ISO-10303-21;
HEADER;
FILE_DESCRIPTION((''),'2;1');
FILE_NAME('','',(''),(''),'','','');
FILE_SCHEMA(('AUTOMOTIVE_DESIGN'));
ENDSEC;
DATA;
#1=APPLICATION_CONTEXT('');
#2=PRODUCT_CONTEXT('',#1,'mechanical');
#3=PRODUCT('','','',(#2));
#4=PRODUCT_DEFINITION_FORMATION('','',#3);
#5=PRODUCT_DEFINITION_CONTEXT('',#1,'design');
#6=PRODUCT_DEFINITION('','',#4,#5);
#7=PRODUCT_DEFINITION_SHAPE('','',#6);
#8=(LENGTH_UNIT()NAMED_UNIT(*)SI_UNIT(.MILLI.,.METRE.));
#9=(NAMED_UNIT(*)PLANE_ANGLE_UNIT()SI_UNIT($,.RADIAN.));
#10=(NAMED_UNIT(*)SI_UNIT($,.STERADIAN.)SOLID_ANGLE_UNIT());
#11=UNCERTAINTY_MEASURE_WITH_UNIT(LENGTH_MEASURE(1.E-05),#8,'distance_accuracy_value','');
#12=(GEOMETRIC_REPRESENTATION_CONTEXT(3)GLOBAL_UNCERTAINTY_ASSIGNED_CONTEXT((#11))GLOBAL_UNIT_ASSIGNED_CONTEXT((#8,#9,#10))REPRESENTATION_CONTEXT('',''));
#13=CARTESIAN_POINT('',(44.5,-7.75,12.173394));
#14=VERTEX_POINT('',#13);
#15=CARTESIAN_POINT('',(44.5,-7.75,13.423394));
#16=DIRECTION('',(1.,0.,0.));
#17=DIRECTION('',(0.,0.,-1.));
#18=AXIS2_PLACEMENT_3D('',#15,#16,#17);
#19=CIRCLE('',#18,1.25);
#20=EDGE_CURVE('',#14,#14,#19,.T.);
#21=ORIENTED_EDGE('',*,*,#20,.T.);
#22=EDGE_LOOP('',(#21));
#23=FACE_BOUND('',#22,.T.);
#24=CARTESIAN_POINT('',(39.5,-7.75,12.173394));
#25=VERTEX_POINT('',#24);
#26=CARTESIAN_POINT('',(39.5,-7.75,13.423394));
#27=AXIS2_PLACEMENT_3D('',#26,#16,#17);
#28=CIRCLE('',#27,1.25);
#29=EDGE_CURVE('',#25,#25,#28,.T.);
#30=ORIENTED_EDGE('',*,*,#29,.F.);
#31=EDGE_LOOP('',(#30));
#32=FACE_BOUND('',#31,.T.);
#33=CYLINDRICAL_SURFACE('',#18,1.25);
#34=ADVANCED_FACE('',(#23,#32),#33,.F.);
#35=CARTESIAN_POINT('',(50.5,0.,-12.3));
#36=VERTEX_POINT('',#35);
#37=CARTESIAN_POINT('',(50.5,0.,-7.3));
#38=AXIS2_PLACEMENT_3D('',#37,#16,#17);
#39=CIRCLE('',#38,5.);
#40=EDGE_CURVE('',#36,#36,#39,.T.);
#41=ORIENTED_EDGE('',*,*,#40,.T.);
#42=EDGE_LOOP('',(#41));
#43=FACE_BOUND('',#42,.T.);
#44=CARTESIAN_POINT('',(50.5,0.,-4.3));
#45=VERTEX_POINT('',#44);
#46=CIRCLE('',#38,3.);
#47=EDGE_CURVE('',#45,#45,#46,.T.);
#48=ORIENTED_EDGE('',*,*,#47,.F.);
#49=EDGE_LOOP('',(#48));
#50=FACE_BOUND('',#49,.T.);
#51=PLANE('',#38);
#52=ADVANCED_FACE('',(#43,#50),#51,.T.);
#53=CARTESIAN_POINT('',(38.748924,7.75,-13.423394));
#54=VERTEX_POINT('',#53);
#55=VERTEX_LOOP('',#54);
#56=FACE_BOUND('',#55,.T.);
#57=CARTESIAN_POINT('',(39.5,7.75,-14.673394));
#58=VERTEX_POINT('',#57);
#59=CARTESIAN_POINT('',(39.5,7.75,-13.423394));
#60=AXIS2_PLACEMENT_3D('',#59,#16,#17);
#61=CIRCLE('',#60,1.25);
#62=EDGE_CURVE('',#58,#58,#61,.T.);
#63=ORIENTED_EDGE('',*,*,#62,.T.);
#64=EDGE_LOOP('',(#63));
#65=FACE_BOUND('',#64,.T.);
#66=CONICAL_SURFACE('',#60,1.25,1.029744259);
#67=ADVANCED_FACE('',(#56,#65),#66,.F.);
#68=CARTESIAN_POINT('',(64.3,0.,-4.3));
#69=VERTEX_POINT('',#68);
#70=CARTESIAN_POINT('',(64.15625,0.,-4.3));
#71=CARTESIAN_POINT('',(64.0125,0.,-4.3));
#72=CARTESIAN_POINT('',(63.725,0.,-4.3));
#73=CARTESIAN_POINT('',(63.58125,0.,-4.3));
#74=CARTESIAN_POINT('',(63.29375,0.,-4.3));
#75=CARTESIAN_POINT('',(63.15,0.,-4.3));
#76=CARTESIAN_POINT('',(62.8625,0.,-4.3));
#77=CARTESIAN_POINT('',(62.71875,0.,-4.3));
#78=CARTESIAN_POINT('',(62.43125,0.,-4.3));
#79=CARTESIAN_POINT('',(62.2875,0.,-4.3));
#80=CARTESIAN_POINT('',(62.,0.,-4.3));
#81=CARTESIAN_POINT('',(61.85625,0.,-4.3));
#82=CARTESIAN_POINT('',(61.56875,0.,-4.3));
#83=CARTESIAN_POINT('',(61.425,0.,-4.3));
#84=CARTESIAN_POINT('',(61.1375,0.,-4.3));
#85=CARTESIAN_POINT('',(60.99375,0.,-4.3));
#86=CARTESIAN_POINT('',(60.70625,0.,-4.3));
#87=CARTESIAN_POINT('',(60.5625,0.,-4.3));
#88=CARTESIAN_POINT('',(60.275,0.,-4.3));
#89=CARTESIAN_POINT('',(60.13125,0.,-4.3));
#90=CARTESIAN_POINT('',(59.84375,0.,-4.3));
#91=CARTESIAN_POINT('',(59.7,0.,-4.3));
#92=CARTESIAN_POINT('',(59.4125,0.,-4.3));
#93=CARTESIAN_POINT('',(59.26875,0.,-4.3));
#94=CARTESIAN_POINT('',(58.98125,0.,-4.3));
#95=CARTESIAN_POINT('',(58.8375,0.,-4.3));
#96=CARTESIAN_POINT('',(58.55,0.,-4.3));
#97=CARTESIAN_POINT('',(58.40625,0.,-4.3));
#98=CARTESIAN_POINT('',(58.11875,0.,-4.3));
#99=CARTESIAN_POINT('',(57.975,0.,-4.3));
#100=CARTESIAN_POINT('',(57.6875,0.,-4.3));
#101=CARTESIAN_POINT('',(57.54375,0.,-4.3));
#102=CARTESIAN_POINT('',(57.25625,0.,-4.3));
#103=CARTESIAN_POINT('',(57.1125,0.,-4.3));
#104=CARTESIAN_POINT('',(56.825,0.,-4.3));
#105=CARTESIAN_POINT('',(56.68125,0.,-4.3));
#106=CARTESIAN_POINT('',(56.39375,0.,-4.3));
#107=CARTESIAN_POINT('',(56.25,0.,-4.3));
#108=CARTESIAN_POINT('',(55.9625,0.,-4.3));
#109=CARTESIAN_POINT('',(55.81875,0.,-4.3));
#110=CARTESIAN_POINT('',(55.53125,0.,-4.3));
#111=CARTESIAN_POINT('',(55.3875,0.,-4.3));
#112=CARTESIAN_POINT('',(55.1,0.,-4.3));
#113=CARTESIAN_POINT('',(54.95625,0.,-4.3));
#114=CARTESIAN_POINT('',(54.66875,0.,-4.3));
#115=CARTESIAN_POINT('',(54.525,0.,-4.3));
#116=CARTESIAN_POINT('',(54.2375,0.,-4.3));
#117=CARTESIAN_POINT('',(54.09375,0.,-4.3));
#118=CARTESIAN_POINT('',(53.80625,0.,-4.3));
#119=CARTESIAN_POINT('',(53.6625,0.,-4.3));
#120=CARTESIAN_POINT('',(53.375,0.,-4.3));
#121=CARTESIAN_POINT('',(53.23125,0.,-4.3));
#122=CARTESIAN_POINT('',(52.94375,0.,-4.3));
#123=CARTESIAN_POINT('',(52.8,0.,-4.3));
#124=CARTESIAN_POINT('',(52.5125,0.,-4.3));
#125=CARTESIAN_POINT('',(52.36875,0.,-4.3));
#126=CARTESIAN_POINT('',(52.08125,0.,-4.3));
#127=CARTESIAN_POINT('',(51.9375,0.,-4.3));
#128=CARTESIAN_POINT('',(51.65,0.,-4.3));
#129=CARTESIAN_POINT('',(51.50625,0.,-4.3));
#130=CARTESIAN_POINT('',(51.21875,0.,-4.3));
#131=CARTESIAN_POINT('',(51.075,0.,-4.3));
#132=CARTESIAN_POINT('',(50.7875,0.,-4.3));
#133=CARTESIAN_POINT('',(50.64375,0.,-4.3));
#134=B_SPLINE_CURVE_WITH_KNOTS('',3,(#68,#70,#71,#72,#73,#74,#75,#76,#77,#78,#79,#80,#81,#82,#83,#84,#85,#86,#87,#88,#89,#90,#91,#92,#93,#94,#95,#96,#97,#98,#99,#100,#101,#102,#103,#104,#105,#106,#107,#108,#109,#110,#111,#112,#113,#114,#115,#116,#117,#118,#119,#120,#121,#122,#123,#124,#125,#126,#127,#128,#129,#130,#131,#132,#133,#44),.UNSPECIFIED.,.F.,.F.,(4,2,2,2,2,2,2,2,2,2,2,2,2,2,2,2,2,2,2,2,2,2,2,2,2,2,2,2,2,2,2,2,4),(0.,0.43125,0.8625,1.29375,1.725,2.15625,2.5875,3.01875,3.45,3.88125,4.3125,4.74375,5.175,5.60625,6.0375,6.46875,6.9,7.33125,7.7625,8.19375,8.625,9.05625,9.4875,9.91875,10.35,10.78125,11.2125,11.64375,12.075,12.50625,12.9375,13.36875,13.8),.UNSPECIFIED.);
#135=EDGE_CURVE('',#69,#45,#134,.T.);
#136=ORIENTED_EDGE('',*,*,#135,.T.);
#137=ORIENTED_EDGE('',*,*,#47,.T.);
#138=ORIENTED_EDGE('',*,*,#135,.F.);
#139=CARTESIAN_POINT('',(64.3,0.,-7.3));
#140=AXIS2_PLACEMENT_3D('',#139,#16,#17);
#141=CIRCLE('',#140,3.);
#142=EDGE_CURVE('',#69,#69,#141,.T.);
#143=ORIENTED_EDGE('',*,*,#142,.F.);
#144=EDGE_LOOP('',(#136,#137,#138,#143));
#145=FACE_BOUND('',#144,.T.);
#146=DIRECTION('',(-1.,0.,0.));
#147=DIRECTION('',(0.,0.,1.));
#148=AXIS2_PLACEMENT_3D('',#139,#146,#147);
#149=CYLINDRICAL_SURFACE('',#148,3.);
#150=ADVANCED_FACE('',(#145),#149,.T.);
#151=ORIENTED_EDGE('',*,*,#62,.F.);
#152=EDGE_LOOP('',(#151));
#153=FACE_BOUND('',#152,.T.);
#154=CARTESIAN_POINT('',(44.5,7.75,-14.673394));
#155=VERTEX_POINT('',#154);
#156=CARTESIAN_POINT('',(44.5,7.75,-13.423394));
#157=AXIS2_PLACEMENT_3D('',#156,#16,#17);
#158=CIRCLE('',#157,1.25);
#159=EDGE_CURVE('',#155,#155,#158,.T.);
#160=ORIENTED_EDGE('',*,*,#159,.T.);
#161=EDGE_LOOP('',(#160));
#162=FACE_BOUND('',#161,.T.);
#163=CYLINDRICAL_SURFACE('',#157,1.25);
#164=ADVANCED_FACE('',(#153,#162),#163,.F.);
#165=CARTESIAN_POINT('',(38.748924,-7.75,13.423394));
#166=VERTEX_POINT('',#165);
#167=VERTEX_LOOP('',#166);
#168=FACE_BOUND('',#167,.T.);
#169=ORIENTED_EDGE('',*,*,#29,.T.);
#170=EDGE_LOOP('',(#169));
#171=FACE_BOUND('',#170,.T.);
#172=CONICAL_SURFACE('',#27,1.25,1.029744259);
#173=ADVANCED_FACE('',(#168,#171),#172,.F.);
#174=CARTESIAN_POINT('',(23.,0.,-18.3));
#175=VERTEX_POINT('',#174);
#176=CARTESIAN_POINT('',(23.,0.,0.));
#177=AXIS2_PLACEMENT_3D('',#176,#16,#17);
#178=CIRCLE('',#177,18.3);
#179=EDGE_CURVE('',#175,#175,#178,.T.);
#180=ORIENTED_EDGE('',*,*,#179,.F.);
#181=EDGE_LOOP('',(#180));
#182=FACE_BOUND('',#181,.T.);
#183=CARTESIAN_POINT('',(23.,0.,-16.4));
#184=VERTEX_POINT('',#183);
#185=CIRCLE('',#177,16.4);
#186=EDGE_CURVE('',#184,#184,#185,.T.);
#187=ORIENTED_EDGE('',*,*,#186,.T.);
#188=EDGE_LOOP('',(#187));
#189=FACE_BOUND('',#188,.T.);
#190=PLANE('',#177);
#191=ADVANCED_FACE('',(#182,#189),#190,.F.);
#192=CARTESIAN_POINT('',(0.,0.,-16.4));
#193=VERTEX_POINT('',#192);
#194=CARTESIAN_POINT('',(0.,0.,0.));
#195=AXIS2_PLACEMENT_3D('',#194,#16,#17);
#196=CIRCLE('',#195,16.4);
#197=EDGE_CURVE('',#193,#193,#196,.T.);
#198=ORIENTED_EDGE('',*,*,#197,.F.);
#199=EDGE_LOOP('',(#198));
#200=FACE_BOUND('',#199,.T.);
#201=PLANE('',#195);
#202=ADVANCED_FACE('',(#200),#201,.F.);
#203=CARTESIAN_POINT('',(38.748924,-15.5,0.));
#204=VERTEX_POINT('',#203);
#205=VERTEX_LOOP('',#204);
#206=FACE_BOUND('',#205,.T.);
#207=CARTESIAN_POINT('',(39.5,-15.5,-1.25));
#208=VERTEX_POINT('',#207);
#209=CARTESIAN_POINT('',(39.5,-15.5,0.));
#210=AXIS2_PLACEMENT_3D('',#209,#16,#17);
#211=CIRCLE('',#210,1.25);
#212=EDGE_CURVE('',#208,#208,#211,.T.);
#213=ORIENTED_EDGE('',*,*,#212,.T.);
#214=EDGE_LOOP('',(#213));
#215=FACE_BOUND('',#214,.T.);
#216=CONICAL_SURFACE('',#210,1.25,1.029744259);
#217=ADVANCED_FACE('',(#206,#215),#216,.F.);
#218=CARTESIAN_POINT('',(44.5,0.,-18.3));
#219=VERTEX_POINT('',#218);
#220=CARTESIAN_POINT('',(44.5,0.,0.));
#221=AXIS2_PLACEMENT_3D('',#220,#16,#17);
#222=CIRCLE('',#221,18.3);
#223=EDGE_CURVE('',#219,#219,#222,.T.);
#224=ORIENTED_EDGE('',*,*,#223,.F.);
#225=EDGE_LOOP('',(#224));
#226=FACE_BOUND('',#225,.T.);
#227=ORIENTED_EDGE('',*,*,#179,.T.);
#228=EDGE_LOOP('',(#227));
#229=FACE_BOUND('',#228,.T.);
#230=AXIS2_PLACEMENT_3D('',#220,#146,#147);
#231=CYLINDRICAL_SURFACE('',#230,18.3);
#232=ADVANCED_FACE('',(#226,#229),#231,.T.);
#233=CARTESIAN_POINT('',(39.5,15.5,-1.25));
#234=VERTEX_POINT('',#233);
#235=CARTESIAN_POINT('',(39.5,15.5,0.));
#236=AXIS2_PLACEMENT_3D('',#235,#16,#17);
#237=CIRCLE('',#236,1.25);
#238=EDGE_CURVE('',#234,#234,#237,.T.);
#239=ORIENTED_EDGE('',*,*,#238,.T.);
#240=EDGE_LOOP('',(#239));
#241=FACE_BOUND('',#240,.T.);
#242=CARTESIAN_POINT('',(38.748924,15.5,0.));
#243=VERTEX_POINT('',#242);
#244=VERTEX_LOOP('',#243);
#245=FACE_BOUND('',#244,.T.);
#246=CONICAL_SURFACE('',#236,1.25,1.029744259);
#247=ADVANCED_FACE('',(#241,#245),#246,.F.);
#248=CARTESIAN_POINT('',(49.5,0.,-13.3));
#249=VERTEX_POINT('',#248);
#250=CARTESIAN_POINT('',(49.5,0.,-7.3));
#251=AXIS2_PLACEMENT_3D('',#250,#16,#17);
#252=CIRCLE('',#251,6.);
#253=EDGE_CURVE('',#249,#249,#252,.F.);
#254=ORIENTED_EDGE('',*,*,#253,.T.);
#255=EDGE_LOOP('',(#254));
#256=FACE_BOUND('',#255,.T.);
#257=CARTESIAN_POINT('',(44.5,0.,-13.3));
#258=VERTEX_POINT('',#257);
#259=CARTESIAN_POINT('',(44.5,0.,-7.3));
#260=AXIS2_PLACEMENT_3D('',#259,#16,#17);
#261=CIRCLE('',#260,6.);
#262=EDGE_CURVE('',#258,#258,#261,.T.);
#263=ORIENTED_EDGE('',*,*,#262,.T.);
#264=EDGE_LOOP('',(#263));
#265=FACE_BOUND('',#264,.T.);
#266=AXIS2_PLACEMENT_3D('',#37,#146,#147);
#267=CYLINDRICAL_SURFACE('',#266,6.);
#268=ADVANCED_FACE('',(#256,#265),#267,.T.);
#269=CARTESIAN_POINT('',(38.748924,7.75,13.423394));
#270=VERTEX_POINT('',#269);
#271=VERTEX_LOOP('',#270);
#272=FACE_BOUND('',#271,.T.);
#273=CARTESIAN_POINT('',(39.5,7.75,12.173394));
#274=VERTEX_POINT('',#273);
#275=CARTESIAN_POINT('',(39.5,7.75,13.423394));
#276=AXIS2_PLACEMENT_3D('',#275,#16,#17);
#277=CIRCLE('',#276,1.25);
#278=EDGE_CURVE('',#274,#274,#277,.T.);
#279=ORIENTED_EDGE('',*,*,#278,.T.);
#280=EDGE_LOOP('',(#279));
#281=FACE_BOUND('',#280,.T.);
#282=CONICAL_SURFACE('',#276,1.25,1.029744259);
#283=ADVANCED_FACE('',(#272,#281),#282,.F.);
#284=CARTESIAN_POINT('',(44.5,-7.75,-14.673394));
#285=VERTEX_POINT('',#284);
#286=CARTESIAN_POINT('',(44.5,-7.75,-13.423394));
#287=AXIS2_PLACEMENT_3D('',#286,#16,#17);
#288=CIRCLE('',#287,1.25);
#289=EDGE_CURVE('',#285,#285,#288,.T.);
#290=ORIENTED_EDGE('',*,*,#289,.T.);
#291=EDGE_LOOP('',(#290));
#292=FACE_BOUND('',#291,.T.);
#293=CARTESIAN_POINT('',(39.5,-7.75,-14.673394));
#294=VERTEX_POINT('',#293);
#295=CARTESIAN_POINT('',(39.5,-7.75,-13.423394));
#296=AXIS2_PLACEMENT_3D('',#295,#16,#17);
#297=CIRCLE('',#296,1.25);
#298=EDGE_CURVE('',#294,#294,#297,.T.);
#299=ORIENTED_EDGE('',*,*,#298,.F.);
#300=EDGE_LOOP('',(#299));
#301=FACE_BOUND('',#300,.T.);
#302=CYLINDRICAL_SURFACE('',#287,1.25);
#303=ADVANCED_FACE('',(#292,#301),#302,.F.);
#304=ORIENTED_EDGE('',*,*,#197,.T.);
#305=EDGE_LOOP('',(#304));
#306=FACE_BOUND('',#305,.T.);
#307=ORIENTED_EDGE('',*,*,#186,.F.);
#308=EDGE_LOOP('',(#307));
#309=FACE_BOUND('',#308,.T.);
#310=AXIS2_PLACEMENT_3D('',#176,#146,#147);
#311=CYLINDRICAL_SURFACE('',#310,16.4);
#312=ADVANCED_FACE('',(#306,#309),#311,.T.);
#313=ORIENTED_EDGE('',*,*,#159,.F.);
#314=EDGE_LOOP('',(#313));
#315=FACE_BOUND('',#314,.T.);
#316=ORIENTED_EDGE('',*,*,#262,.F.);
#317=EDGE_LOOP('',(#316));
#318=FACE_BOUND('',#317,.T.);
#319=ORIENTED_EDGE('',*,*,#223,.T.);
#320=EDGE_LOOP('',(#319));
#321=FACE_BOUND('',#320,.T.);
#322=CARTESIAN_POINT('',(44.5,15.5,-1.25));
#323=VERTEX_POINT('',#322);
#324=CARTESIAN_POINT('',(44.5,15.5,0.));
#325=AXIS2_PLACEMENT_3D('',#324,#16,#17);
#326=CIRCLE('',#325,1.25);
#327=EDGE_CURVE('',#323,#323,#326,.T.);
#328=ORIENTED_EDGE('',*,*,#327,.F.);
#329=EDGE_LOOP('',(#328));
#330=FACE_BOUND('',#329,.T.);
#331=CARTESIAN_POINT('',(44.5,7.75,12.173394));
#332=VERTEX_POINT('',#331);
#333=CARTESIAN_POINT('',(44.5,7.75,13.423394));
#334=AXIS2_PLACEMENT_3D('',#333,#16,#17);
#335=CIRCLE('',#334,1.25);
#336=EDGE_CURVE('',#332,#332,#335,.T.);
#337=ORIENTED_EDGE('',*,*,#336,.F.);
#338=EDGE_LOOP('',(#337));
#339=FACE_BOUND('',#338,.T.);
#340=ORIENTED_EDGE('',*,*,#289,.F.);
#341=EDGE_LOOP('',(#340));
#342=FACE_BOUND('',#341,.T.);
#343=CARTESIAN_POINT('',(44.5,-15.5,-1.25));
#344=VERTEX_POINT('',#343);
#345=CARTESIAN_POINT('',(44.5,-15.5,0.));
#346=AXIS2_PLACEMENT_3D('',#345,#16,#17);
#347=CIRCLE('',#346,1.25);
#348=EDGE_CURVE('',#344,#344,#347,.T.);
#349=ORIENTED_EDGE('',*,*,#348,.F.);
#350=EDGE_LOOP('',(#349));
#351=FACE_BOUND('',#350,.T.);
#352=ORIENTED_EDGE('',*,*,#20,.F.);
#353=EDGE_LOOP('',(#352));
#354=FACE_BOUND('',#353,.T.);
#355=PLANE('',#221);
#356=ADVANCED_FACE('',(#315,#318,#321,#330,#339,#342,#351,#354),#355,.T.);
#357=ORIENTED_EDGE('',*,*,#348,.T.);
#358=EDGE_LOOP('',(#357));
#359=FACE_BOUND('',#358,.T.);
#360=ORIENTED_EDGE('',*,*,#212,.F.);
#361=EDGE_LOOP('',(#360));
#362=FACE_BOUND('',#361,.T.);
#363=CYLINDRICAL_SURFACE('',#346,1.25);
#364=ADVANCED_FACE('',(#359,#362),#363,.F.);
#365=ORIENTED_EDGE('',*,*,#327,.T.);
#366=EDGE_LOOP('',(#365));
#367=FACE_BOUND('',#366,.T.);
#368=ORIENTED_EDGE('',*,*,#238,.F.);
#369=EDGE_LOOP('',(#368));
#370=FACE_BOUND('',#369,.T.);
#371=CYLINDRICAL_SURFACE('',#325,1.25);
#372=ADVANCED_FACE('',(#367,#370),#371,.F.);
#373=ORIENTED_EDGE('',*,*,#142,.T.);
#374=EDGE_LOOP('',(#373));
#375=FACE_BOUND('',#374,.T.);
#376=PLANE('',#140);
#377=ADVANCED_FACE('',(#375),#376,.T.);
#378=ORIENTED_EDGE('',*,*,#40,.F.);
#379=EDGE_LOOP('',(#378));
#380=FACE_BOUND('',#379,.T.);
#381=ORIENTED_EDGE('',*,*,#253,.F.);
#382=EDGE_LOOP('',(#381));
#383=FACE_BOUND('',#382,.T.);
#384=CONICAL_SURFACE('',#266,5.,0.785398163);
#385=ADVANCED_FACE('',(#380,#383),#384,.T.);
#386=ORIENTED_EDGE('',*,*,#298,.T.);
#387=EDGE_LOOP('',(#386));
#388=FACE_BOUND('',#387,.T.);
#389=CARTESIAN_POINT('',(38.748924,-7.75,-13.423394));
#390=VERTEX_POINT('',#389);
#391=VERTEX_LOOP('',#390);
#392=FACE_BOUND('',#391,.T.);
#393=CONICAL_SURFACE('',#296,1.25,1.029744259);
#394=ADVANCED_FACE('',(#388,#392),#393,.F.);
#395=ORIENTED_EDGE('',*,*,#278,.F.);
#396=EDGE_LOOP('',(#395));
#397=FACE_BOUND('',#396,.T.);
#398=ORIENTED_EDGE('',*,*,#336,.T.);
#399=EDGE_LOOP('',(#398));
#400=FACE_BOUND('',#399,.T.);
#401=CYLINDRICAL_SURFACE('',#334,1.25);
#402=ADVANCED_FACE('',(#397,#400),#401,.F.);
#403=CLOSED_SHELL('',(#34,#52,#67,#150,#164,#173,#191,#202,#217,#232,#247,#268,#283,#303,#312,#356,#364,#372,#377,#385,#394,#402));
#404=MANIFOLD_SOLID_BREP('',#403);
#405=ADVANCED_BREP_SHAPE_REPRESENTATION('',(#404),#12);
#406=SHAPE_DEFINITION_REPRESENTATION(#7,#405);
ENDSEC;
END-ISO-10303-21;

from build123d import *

# Parameters (mm, degrees)
SKETCH_1_R               = 16.4
EXTRUDE_1_DEPTH          = 23
SKETCH_2_R               = 18.3
EXTRUDE_2_DEPTH          = 21.5
SKETCH_3_R               = 6
EXTRUDE_3_DEPTH          = 6
SKETCH_4_R               = 3
EXTRUDE_4_DEPTH          = 13.8
PATTERN_CIRCULAR_1_COUNT = 6
CHAMFER_1_SIZE           = 1


with BuildPart() as part:
    # 草图1 → 凸台-拉伸1 (new body)
    with BuildSketch(Plane(origin=(0, 0, 0), x_dir=(0, 0, -1), z_dir=(1, 0, 0))):
        Circle(SKETCH_1_R)
    extrude(amount=EXTRUDE_1_DEPTH)

    # 草图2 → 凸台-拉伸2 (add)
    with BuildSketch(Plane(origin=(23, 0, 0), x_dir=(0, 0, -1), z_dir=(1, 0, 0))):
        Circle(SKETCH_2_R)
    extrude(amount=EXTRUDE_2_DEPTH)

    # 草图3 → 凸台-拉伸3 (add)
    with BuildSketch(Plane(origin=(44.5, 0, 0), x_dir=(0, 0, -1), z_dir=(1, 0, 0))):
        with Locations((7.3, 0)):
            Circle(SKETCH_3_R)
    extrude(amount=EXTRUDE_3_DEPTH)

    # 草图4 → 凸台-拉伸4 (add)
    with BuildSketch(Plane(origin=(50.5, 0, 0), x_dir=(0, 0, -1), z_dir=(1, 0, 0))):
        with Locations(Location((7.3, 0, 0), (0, 0, 180))):
            Circle(SKETCH_4_R)
    extrude(amount=EXTRUDE_4_DEPTH)

    # 草图7 → M3 螺纹孔1 (revolve, cut)
    with BuildSketch(Plane(origin=(44.5, 15.5, 0), x_dir=(0, 0, -1), z_dir=(0, 1, 0))):
        Polygon((0, 0), (0, 5.751075774), (1.25, 5), (1.25, 0), align=None)
    hole_wizard_m3_1 = revolve(axis=Axis((50.85, 15.5, 0), (-1, 0, 0)), mode=Mode.SUBTRACT)

    # 阵列(圆周)1: M3 螺纹孔1 ×6 about axis
    pattern_circular_1_axis = Axis((0, 0, 0), (1, 0, 0))
    for i in range(1, PATTERN_CIRCULAR_1_COUNT):
        add(hole_wizard_m3_1.rotate(pattern_circular_1_axis, i * 360 / PATTERN_CIRCULAR_1_COUNT), mode=Mode.SUBTRACT)

    # 倒角1
    chamfer_1_edges = [part.edges().sort_by_distance(p)[0] for p in [
        (50.5, 0, -1.3),
    ]]
    chamfer(chamfer_1_edges, length=CHAMFER_1_SIZE)


solid = part.part
